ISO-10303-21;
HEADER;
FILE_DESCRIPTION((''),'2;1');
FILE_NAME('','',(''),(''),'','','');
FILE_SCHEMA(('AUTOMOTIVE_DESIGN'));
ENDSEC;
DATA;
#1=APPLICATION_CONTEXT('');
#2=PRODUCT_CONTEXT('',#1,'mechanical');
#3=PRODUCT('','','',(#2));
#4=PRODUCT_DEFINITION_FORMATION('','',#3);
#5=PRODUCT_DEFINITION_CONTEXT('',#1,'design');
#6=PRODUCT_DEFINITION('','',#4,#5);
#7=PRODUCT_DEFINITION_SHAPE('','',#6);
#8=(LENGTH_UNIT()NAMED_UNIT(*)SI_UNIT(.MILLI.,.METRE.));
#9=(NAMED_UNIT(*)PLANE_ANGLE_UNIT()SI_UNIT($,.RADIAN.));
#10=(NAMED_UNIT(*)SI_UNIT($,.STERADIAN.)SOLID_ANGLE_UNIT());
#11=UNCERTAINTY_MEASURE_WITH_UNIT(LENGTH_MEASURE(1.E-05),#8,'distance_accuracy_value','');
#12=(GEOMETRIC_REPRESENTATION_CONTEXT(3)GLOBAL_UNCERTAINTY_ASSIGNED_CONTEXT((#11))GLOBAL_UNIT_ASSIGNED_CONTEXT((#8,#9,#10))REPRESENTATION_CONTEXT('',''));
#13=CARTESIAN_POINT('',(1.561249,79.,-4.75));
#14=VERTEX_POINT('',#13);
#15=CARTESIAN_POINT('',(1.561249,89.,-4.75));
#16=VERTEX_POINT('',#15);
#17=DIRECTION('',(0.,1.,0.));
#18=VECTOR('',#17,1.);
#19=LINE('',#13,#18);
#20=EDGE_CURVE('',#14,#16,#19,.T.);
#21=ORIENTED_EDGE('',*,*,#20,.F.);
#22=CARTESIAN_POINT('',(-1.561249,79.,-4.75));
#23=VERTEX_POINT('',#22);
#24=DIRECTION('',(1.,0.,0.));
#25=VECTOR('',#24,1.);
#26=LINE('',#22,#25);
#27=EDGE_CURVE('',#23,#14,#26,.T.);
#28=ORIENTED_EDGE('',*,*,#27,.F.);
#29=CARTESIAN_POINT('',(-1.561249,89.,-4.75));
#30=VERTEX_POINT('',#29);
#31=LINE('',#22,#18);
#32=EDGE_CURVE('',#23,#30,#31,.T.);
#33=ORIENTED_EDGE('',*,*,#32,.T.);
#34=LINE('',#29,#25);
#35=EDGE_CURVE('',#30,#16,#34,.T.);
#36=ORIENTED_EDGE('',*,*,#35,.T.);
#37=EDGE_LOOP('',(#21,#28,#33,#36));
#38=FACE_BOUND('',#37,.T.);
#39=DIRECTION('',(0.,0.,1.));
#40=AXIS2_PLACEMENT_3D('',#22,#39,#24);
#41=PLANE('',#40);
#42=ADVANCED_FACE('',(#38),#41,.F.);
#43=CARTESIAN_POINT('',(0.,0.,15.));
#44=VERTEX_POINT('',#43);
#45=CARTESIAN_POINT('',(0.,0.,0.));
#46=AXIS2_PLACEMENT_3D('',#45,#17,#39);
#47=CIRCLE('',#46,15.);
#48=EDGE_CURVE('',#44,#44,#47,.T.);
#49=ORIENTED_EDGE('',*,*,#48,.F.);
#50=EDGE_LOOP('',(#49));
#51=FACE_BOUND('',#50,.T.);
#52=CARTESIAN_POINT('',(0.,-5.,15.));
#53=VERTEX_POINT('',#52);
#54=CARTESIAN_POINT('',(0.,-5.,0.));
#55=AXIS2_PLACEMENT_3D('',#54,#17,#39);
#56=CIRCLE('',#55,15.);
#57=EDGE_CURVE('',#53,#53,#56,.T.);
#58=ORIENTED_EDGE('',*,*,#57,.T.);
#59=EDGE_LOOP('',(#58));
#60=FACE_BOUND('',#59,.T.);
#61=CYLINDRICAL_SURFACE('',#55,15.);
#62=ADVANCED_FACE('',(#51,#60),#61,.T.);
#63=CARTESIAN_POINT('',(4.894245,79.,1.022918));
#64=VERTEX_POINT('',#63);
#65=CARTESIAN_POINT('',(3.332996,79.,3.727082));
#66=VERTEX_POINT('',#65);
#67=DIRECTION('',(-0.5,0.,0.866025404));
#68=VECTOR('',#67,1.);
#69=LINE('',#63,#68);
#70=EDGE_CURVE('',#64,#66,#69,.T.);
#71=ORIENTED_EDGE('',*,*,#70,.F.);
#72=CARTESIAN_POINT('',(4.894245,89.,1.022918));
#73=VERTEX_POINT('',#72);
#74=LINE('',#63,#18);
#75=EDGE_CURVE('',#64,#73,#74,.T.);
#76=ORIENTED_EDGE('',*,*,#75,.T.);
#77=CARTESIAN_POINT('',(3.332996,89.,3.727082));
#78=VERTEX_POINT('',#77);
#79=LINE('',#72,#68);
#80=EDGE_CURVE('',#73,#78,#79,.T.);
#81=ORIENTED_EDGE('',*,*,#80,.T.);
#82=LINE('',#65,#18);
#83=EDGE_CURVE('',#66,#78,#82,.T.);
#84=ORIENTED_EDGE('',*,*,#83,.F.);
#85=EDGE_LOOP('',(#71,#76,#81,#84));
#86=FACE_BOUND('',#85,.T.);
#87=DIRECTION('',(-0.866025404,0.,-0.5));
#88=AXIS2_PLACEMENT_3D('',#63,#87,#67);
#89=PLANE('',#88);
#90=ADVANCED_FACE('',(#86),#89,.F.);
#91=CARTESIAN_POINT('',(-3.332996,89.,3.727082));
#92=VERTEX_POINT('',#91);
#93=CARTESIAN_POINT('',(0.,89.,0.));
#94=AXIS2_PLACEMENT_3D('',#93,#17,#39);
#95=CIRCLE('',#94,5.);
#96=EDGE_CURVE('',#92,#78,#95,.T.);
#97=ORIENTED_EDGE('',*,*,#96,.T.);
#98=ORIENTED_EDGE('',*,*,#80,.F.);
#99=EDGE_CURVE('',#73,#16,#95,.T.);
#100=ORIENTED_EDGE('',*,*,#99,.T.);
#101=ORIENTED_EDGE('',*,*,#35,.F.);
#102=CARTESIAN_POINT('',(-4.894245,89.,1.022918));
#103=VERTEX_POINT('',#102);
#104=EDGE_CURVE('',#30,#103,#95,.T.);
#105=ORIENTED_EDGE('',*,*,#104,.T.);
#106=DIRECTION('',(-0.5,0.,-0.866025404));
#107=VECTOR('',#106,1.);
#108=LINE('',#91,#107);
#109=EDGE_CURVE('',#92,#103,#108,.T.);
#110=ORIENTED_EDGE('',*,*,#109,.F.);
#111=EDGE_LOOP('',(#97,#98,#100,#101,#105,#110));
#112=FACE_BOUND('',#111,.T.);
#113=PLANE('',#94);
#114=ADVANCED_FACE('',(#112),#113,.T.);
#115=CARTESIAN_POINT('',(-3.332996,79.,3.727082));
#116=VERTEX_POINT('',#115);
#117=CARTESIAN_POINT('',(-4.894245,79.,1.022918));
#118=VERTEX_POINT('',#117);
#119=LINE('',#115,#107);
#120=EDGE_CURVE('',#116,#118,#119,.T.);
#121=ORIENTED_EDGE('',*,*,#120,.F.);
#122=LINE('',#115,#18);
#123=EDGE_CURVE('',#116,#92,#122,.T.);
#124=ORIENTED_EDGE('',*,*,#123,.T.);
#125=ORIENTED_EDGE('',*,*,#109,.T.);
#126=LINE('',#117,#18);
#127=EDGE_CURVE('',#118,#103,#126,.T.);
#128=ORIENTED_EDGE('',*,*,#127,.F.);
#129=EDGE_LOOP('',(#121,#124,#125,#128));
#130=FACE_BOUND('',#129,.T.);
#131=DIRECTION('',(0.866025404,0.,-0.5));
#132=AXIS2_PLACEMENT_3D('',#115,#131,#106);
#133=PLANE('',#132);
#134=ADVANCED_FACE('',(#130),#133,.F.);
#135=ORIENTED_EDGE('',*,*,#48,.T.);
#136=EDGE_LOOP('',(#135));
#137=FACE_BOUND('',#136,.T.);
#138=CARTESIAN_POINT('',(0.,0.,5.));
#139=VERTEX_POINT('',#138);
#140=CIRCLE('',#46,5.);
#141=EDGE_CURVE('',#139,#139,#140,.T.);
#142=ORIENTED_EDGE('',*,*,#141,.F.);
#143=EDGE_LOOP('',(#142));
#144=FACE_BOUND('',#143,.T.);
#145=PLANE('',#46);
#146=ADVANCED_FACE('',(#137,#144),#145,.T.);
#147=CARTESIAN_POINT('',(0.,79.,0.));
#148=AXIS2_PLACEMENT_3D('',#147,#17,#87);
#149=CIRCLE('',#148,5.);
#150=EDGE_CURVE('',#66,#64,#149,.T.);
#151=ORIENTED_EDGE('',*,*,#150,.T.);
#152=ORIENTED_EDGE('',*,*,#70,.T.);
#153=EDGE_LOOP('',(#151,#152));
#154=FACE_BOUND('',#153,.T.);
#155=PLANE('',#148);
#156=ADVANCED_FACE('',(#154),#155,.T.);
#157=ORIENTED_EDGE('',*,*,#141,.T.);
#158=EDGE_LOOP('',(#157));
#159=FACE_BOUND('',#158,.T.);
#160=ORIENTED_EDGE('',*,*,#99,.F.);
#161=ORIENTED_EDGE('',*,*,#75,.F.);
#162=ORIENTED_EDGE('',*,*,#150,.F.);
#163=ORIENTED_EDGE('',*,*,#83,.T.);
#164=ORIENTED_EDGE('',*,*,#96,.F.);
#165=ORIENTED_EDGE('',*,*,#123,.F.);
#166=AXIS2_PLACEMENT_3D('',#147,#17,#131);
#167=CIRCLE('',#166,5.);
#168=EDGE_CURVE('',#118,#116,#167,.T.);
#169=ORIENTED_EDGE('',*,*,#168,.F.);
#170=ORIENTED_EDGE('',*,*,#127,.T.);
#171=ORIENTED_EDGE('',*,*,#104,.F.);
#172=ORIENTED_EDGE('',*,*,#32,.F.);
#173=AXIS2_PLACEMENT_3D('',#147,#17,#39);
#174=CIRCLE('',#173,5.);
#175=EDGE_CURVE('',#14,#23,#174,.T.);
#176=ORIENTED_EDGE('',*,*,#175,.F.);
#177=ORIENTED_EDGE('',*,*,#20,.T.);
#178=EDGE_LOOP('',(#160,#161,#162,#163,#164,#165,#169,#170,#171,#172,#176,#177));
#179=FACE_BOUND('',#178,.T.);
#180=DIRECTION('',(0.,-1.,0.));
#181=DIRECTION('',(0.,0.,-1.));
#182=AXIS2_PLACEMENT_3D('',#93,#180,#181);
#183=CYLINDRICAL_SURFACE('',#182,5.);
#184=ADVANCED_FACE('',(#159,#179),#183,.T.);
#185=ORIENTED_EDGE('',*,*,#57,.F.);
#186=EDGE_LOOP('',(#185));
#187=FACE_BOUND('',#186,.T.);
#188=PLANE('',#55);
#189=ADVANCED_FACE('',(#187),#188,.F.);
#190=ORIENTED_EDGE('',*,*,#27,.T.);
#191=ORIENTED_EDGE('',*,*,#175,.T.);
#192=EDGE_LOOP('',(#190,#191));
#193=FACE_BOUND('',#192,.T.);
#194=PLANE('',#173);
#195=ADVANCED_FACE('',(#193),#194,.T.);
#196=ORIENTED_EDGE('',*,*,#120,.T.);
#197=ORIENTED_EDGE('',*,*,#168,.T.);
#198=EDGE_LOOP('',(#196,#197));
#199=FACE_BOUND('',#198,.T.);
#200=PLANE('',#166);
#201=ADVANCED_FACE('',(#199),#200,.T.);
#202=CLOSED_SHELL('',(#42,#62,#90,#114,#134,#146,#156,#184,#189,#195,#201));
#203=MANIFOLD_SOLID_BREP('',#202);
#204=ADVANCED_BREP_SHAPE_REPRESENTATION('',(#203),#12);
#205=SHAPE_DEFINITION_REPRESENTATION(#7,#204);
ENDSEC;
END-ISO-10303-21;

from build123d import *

# Parameters (mm, degrees)
SKETCH1_R           = 15
BOSS_EXTRUDE1_DEPTH = 5
SKETCH2_R           = 5
BOSS_EXTRUDE2_DEPTH = 89
CUT_EXTRUDE2_START  = -10
CUT_EXTRUDE2_DEPTH  = 10
CIRPATTERN1_COUNT   = 3


with BuildPart() as part:
    # Sketch1 → Boss-Extrude1 (new body)
    with BuildSketch(Plane(origin=(0, 0, 0), x_dir=(1, 0, 0), z_dir=(0, 1, 0))):
        with Locations(Location((0, 0, 0), (0, 0, 270))):
            Circle(SKETCH1_R)
    extrude(amount=-BOSS_EXTRUDE1_DEPTH)

    # Sketch2 → Boss-Extrude2 (add)
    with BuildSketch(Plane(origin=(0, 0, 0), x_dir=(1, 0, 0), z_dir=(0, 1, 0))):
        with Locations(Location((0, 0, 0), (0, 0, 270))):
            Circle(SKETCH2_R)
    extrude(amount=BOSS_EXTRUDE2_DEPTH)

    # Sketch7 → Cut-Extrude2 (cut)
    with BuildSketch(Plane(origin=(0, 89, 0), x_dir=(1, 0, 0), z_dir=(0, 1, 0)).offset(CUT_EXTRUDE2_START)):
        with BuildLine():
            Line((-1.5612495, 4.75), (1.5612495, 4.75))
            ThreePointArc((1.5612495, 4.75), (0, 5), (-1.5612495, 4.75))
        make_face()
    cut_extrude2 = extrude(amount=CUT_EXTRUDE2_DEPTH, mode=Mode.SUBTRACT)

    # CirPattern1: Cut-Extrude2 ×3 about axis
    cirpattern1_axis = Axis((0, 0, 0), (0, 1, 0))
    for i in range(1, CIRPATTERN1_COUNT):
        add(cut_extrude2.rotate(cirpattern1_axis, i * 360 / CIRPATTERN1_COUNT), mode=Mode.SUBTRACT)


solid = part.part
